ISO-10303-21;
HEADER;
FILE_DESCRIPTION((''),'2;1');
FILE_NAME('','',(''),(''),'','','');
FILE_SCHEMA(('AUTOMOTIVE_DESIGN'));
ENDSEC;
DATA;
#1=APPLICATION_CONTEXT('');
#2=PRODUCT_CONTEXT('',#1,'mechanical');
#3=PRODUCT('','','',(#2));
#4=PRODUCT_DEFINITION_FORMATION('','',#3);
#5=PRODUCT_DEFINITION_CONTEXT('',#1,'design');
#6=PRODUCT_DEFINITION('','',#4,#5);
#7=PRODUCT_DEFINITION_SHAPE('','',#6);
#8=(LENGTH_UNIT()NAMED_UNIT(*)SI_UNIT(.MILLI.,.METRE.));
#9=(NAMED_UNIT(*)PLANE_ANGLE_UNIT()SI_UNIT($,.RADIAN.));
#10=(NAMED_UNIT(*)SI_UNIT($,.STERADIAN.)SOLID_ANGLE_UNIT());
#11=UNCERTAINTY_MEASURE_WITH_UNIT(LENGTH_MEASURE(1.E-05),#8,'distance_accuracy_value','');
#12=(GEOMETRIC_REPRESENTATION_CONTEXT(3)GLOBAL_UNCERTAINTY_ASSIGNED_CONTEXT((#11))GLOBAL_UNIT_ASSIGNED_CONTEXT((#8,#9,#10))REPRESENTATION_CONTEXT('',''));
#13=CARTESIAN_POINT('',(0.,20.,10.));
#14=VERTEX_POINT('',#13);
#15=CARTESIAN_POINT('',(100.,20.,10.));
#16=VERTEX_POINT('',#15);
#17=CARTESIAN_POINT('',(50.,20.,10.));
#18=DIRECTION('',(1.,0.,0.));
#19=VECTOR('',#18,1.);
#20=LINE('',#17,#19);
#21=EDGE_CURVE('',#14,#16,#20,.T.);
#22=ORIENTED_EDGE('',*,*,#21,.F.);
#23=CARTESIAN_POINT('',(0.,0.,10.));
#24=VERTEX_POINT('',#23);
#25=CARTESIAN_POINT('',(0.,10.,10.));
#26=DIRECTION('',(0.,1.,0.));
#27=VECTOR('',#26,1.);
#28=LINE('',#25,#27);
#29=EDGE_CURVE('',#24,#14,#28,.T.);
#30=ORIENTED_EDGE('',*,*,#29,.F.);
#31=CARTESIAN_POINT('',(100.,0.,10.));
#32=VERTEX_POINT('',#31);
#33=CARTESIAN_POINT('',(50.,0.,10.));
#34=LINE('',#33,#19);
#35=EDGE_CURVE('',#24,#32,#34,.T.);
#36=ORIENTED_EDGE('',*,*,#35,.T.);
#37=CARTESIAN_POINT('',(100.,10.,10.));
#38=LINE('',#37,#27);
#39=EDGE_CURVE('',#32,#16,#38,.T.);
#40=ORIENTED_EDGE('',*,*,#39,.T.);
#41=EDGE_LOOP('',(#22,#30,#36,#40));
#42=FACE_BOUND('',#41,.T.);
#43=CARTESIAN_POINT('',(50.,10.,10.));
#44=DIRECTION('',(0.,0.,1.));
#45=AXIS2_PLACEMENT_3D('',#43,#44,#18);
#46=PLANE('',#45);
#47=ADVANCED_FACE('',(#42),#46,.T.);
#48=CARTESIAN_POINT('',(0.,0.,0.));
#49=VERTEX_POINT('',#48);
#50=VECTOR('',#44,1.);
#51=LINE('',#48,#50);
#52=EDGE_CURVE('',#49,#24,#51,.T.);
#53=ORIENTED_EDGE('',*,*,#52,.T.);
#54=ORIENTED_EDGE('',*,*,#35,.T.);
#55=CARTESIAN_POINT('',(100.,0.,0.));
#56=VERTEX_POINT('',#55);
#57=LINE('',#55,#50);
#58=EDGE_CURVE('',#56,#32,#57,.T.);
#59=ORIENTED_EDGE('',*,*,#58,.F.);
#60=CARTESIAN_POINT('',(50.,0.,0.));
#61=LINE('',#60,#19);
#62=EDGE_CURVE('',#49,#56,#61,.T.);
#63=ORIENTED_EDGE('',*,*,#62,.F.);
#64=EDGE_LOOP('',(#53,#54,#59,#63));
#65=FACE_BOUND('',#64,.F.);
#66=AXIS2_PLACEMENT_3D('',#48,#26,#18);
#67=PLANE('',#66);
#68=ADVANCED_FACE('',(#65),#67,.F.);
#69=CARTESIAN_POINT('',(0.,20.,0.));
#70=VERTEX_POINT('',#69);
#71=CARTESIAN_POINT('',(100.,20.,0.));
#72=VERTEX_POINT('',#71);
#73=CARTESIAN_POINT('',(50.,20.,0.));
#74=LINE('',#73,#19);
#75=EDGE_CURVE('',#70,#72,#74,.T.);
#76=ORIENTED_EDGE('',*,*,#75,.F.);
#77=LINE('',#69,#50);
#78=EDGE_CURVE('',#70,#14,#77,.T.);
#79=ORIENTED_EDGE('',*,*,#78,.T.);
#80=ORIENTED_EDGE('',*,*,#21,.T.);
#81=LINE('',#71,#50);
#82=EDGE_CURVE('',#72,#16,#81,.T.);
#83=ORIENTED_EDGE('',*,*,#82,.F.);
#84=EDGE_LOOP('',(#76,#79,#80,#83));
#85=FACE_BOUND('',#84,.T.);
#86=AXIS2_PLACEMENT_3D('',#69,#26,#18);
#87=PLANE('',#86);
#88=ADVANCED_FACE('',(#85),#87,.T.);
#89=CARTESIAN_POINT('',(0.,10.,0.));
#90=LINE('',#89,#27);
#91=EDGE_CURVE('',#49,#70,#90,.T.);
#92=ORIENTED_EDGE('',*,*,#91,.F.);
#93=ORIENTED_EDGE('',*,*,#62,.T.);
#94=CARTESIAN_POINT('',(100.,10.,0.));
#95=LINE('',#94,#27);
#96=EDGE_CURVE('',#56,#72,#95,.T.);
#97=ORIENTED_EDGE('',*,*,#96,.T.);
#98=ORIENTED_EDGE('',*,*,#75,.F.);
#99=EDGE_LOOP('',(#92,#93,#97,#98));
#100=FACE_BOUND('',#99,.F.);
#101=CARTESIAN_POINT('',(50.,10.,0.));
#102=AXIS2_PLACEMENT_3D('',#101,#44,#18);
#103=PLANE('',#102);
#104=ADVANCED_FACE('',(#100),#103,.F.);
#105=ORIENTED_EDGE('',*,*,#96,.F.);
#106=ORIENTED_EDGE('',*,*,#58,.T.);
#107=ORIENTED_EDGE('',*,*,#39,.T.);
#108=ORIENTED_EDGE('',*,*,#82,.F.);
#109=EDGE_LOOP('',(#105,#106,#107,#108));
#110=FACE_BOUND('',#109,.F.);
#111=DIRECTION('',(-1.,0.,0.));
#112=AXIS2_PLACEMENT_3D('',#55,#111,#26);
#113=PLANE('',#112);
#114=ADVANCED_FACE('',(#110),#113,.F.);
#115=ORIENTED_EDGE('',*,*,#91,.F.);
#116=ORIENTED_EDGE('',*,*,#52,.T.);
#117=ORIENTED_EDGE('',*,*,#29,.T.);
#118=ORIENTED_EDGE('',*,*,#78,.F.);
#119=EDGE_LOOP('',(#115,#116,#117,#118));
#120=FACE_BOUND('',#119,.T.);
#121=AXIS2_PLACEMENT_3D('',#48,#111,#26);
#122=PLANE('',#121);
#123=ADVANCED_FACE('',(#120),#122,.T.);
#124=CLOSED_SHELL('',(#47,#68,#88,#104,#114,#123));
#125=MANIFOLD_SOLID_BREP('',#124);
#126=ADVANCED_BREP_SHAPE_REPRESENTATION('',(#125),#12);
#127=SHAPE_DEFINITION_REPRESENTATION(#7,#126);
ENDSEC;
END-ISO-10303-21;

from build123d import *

# Parameters (mm, degrees)
ESQUISSE1_W        = 100
ESQUISSE1_H        = 20
BOSS_EXTRU_1_DEPTH = 10


with BuildPart() as part:
    # Esquisse1 → Boss.-Extru.1 (new body)
    with BuildSketch(Plane.XY):
        with Locations((50, 10)):
            Rectangle(ESQUISSE1_W, ESQUISSE1_H)
    extrude(amount=BOSS_EXTRU_1_DEPTH)


solid = part.part
